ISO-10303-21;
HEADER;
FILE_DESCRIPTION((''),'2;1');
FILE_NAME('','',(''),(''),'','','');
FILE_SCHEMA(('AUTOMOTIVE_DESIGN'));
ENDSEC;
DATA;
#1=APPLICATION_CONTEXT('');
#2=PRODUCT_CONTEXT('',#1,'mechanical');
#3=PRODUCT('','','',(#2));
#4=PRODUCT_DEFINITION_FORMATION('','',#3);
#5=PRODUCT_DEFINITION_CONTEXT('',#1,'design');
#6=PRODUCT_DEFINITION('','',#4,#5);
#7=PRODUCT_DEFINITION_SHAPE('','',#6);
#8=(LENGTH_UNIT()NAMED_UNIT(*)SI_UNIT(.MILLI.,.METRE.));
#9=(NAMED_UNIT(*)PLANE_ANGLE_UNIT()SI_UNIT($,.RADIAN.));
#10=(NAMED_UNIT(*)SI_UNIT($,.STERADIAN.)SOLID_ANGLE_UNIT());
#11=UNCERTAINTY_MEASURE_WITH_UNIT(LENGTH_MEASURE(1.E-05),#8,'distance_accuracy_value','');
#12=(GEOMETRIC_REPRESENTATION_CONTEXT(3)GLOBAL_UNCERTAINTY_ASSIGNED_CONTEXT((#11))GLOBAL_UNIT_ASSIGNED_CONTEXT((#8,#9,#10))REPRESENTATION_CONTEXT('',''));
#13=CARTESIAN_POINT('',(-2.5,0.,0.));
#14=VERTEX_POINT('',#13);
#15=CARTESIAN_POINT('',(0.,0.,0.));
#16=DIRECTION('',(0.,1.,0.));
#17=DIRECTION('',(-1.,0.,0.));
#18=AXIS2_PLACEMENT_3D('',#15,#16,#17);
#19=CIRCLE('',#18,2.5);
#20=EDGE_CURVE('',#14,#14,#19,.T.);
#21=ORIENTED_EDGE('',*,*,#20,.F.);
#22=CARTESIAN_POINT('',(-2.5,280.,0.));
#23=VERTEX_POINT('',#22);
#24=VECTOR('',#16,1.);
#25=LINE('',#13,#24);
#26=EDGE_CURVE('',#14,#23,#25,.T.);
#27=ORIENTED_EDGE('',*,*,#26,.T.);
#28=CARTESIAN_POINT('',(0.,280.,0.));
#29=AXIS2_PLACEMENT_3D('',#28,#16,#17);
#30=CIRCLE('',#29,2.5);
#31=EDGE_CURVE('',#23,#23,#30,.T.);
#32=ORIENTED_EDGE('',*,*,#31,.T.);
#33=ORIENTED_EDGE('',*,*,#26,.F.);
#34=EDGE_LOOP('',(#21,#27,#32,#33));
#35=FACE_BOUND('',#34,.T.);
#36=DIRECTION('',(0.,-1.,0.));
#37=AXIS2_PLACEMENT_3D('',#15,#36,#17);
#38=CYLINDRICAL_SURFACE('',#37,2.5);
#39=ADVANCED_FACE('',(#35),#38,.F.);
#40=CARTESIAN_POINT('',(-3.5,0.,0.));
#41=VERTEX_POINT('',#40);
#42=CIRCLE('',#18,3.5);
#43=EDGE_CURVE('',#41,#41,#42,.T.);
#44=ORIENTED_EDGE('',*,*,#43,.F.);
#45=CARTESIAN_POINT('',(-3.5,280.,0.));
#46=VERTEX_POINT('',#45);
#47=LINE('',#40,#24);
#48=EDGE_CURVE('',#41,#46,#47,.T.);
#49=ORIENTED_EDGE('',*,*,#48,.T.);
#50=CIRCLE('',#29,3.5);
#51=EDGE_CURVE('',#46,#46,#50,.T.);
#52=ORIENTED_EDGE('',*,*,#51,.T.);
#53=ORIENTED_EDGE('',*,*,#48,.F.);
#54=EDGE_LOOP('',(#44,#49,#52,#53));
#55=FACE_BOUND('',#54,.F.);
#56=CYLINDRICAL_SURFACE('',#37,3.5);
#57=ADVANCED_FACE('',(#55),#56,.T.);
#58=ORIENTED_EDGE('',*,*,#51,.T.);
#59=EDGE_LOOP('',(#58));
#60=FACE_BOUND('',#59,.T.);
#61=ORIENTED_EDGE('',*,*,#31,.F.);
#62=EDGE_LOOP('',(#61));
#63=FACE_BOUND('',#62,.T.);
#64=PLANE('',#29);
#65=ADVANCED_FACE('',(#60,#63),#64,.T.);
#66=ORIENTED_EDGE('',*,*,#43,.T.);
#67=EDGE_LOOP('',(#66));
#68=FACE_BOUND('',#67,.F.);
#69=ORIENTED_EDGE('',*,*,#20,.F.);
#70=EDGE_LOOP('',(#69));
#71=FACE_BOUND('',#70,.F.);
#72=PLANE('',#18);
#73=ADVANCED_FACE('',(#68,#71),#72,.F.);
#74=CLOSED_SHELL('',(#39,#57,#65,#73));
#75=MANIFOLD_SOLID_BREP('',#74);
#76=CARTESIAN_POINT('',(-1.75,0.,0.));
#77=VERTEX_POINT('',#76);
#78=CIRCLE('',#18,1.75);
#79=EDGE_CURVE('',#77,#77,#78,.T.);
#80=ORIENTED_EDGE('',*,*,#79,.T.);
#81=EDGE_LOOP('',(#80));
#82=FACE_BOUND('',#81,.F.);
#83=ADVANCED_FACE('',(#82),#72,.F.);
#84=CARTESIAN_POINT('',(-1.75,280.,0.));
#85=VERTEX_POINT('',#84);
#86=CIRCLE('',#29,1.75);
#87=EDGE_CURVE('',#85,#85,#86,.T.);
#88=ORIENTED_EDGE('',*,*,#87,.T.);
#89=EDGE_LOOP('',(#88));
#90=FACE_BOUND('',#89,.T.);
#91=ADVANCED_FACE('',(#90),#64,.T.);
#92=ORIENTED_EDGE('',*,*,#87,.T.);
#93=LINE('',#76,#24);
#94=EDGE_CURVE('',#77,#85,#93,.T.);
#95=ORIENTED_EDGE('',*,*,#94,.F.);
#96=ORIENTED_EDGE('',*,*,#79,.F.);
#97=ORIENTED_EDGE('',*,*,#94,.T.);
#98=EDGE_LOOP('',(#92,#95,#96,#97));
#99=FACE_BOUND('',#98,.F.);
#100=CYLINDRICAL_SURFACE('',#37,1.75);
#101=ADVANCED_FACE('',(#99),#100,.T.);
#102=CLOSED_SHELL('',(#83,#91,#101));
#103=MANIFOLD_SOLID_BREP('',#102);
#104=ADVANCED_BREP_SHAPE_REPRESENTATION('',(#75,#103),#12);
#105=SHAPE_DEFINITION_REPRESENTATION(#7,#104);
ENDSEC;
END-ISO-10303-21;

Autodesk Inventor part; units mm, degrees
ref_plane "YZ Plane" through (0, 0, 0) normal (1, 0, 0) x (0, 1, 0)
ref_plane "XZ Plane" through (0, 0, 0) normal (0, 1, 0) x (-1, 0, 0)
ref_plane "XY Plane" through (0, 0, 0) normal (0, 0, 1) x (1, 0, 0)
sketch "Эскиз1" plane through (0, 0, 0) normal (0, 1, 0) x (-1, 0, 0)
  circle A0 centre (0, 0) radius 3.5
  circle A1 centre (0, 0) radius 2.5
  circle A2 centre (0, 0) radius 1.75
  dimension "d0" = 7
  dimension "d1" = 5
  dimension "d2" = 3.5
extrude "Выдавливание1" add sketch "Эскиз1" along normal blind 280 contours A2
extrude "Выдавливание2" add sketch "Эскиз1" along normal blind 280 contours A0
properties part number "wire_B"
